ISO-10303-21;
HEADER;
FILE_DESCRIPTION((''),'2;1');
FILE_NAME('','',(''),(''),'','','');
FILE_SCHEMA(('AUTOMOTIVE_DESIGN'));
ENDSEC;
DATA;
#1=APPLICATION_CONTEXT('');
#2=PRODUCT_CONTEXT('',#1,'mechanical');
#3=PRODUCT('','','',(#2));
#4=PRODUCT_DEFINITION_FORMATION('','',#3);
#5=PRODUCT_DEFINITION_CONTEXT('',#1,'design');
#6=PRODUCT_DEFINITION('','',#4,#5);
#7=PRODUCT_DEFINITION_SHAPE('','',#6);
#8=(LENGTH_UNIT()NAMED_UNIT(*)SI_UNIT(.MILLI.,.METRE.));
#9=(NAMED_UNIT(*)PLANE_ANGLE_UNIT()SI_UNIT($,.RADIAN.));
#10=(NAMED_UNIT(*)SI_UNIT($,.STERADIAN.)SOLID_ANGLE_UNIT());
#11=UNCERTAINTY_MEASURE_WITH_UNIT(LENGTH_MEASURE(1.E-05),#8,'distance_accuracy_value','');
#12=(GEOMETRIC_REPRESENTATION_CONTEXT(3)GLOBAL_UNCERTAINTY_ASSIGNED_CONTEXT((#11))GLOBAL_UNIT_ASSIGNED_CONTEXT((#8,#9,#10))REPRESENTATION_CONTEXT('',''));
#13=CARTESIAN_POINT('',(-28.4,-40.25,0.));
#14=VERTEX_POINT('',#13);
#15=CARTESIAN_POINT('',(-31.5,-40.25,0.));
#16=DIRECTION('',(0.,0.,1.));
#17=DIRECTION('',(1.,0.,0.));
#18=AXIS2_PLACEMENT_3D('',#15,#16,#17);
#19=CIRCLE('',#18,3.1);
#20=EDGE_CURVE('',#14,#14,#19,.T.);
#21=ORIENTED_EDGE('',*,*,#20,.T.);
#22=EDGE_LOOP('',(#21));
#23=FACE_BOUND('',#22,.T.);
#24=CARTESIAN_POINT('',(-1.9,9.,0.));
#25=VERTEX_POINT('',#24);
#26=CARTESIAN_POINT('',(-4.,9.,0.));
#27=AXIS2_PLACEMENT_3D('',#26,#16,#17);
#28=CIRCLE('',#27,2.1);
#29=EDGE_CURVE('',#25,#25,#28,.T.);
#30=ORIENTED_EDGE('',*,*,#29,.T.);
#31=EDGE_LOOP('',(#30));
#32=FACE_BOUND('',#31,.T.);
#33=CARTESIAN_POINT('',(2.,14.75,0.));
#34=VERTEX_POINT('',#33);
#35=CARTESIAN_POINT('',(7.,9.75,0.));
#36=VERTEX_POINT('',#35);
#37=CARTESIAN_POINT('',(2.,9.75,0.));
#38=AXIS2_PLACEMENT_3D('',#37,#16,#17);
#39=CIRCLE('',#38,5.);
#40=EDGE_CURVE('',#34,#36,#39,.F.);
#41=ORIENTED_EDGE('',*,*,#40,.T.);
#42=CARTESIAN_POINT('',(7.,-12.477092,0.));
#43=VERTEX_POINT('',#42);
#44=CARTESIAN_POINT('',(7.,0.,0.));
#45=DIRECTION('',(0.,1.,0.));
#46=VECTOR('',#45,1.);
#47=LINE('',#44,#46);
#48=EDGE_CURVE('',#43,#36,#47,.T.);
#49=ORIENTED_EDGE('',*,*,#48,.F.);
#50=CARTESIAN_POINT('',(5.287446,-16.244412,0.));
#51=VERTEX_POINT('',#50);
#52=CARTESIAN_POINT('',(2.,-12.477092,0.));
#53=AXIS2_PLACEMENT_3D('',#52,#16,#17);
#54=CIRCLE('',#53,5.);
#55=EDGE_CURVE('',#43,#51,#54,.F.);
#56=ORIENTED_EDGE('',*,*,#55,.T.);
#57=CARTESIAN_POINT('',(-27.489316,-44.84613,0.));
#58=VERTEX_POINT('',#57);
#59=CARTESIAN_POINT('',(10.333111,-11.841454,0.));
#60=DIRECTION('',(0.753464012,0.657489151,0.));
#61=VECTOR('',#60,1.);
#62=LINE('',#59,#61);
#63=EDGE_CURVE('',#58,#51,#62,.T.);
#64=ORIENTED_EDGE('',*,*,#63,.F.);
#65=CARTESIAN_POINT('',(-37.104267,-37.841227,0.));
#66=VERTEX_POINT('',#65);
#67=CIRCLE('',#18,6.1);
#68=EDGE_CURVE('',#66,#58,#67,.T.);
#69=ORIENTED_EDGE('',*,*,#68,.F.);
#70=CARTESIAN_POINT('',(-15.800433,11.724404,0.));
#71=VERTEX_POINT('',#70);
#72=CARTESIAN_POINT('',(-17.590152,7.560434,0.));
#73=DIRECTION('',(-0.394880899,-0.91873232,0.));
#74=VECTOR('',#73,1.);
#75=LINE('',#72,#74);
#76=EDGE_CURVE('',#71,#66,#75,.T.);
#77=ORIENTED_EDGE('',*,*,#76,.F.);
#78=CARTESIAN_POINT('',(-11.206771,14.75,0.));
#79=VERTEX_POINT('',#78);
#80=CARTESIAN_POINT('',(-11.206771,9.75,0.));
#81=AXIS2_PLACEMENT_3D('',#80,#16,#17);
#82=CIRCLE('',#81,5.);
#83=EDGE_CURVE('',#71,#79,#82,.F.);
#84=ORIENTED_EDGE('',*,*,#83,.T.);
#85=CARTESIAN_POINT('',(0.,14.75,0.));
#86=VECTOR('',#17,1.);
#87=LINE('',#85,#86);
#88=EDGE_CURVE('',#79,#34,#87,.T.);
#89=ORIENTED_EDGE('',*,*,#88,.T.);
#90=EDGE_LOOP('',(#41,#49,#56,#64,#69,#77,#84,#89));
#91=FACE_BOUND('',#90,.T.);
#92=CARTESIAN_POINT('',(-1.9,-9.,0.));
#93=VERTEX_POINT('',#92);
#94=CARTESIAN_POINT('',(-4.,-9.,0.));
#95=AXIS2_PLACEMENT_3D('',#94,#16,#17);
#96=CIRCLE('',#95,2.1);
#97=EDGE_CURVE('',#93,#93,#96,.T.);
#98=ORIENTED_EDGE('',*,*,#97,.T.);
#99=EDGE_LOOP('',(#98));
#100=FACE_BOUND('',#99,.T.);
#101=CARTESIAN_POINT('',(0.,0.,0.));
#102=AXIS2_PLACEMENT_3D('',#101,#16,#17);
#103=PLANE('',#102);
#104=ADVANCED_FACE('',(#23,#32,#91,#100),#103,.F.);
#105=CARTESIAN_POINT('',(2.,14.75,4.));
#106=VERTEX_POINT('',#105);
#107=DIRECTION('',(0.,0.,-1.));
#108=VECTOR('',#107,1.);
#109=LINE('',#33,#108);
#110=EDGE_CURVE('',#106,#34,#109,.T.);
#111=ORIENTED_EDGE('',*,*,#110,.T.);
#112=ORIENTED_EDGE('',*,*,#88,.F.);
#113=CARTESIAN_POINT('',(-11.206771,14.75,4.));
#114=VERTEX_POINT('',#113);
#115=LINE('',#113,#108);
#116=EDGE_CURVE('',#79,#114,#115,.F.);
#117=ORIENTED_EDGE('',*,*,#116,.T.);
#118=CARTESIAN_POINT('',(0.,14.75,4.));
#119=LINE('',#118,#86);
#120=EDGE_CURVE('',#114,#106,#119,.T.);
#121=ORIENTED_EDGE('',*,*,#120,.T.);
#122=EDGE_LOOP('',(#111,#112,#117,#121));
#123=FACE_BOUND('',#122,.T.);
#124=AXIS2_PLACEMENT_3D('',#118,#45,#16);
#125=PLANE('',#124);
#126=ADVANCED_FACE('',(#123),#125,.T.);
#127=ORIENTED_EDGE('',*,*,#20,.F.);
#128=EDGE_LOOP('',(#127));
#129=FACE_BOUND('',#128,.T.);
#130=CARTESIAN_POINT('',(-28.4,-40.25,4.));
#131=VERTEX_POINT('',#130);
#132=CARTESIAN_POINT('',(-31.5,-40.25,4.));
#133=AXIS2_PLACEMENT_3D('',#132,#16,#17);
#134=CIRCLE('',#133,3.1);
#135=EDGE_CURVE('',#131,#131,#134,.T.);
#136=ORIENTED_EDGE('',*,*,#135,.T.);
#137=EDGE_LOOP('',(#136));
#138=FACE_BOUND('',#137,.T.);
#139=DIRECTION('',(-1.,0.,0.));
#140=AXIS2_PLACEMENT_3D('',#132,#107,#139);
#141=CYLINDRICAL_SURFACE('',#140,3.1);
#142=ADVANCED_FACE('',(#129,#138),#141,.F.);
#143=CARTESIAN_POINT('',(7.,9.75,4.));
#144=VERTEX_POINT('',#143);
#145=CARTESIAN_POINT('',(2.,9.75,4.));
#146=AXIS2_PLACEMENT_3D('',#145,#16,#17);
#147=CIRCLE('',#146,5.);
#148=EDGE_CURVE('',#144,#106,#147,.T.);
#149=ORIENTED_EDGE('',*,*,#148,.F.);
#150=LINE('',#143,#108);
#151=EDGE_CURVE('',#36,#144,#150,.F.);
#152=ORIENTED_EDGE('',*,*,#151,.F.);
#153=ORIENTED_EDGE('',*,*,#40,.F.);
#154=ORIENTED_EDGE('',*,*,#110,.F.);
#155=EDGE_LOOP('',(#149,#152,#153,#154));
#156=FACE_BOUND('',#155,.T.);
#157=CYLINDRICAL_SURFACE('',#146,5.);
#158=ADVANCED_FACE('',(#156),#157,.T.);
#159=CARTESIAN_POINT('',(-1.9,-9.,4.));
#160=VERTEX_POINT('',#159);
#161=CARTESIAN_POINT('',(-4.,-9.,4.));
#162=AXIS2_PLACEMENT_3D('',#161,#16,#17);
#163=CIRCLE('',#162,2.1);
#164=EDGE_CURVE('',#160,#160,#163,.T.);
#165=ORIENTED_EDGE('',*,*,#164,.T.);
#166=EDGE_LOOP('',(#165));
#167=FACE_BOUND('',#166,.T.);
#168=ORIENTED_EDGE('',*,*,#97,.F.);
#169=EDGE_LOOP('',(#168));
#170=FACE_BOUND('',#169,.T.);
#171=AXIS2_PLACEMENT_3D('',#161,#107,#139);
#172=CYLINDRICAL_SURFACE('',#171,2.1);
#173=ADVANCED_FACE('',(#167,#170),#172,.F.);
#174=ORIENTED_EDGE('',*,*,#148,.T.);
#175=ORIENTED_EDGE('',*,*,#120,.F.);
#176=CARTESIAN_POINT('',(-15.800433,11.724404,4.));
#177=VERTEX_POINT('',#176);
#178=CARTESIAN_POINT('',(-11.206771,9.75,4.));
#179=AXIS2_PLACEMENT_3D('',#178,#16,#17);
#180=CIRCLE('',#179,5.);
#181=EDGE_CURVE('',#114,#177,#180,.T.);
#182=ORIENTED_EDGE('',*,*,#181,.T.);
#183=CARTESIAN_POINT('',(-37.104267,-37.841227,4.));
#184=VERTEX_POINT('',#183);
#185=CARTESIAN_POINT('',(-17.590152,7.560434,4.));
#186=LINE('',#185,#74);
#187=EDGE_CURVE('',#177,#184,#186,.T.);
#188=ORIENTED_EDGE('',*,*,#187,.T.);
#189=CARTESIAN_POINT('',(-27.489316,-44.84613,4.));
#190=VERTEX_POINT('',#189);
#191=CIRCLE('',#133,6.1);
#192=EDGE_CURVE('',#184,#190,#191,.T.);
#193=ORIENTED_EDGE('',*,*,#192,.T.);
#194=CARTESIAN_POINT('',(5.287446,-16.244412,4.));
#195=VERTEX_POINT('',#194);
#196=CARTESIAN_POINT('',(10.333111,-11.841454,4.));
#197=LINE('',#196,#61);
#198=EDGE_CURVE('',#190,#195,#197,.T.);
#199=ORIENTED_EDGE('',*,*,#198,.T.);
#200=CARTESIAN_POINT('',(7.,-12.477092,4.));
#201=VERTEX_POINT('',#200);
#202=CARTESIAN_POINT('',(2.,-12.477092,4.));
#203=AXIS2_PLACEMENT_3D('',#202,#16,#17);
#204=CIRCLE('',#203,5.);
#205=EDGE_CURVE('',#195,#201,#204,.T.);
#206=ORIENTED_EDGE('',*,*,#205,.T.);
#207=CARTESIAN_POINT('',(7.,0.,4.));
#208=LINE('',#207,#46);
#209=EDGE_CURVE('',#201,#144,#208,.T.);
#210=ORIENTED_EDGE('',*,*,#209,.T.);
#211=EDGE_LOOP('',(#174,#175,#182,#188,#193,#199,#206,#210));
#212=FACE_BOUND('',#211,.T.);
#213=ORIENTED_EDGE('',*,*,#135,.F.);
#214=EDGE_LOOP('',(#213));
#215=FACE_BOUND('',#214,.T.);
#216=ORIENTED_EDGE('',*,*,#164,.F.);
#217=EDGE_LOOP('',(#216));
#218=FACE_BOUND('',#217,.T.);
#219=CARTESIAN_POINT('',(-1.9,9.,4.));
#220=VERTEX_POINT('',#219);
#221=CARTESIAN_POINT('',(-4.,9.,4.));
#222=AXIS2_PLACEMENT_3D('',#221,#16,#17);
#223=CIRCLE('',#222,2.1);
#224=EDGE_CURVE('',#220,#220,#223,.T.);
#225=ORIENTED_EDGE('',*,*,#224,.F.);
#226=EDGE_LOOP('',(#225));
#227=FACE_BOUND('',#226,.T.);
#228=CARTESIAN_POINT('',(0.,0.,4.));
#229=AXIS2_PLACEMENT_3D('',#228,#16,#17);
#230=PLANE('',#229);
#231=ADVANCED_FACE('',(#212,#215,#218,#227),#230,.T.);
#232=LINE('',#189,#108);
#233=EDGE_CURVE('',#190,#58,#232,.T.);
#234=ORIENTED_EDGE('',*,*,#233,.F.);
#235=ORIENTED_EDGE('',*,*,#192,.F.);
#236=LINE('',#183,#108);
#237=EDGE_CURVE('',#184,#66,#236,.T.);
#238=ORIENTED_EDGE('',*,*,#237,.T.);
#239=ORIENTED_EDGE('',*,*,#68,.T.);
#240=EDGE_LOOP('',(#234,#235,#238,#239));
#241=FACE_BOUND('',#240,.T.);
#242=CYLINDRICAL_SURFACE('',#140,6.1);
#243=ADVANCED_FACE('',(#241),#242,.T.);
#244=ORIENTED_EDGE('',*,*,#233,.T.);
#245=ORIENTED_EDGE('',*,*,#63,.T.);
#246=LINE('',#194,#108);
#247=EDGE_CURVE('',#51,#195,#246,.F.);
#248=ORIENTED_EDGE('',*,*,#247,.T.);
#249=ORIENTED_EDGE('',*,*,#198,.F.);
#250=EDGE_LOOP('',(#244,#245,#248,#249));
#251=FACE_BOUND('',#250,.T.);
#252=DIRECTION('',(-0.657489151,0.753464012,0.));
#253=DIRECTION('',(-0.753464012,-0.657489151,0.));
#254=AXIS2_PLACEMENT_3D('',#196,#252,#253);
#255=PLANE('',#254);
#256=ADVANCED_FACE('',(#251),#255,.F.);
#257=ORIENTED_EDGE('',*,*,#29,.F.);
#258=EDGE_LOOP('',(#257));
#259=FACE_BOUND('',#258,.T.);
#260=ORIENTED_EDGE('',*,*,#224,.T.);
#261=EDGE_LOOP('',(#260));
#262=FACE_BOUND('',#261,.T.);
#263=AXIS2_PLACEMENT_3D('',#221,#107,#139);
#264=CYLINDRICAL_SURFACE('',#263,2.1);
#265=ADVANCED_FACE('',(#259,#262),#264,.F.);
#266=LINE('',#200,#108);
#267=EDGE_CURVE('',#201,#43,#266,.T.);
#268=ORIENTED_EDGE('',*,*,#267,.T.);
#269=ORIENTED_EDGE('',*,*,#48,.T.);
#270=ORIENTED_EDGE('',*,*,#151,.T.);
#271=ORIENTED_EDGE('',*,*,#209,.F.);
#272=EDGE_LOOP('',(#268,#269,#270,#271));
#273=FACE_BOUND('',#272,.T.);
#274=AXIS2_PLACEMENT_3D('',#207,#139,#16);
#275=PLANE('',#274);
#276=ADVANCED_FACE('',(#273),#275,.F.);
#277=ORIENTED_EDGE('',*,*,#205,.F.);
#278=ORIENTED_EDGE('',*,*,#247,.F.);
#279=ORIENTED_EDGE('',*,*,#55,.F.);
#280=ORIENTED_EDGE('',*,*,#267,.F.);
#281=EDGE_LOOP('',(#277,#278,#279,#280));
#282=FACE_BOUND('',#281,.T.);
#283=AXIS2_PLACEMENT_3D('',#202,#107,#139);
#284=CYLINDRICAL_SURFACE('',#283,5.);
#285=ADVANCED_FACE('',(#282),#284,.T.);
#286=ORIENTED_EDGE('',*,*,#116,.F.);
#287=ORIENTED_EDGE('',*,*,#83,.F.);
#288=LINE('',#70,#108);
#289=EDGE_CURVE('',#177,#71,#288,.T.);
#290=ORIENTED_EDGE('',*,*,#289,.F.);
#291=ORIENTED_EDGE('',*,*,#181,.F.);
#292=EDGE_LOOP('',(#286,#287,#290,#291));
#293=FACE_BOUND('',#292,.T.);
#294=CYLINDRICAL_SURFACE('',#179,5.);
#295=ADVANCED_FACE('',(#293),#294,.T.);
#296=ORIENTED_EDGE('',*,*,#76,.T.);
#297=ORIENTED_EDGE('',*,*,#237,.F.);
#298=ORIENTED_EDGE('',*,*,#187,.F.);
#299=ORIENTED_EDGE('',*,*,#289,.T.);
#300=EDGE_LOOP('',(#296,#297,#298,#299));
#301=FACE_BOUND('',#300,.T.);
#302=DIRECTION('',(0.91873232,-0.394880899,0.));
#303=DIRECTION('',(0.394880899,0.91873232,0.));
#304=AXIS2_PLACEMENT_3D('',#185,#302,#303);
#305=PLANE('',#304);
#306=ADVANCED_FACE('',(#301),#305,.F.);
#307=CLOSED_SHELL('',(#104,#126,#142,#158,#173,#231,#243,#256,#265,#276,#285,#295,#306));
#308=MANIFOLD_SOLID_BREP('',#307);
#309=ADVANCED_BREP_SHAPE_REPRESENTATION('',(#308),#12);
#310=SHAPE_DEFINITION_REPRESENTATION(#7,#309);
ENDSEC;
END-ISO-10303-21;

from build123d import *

# Parameters (mm, degrees)
SKETCH_2_R      = 2.1
SKETCH_2_R_2    = 3.1
EXTRUDE_1_DEPTH = 4
FILLET_1_R      = 5


with BuildPart() as part:
    # 草图2 → 凸台-拉伸1 (new body)
    with BuildSketch(Plane.XY):
        with BuildLine():
            Line((-14.5, 14.75), (-37.104267152, -37.841226517))
            ThreePointArc((-37.104267152, -37.841226517), (-35.091941928, -45.180309644), (-27.489316181, -44.846130471))
            Line((-27.489316181, -44.846130471), (7, -14.75))
            Line((7, -14.75), (7, 14.75))
            Line((7, 14.75), (-14.5, 14.75))
        make_face()
        with Locations((-4, 9)):
            Circle(SKETCH_2_R, mode=Mode.SUBTRACT)
        with Locations((-4, -9)):
            Circle(SKETCH_2_R, mode=Mode.SUBTRACT)
        with Locations((-31.5, -40.25)):
            Circle(SKETCH_2_R_2, mode=Mode.SUBTRACT)
    extrude(amount=EXTRUDE_1_DEPTH)

    # 圆角1
    fillet_1_edges = [part.edges().sort_by_distance(p)[0] for p in [
        (-14.5, 14.75, 2),
        (7, 14.75, 2),
        (7, -14.75, 2),
    ]]
    fillet(fillet_1_edges, radius=FILLET_1_R)


solid = part.part
